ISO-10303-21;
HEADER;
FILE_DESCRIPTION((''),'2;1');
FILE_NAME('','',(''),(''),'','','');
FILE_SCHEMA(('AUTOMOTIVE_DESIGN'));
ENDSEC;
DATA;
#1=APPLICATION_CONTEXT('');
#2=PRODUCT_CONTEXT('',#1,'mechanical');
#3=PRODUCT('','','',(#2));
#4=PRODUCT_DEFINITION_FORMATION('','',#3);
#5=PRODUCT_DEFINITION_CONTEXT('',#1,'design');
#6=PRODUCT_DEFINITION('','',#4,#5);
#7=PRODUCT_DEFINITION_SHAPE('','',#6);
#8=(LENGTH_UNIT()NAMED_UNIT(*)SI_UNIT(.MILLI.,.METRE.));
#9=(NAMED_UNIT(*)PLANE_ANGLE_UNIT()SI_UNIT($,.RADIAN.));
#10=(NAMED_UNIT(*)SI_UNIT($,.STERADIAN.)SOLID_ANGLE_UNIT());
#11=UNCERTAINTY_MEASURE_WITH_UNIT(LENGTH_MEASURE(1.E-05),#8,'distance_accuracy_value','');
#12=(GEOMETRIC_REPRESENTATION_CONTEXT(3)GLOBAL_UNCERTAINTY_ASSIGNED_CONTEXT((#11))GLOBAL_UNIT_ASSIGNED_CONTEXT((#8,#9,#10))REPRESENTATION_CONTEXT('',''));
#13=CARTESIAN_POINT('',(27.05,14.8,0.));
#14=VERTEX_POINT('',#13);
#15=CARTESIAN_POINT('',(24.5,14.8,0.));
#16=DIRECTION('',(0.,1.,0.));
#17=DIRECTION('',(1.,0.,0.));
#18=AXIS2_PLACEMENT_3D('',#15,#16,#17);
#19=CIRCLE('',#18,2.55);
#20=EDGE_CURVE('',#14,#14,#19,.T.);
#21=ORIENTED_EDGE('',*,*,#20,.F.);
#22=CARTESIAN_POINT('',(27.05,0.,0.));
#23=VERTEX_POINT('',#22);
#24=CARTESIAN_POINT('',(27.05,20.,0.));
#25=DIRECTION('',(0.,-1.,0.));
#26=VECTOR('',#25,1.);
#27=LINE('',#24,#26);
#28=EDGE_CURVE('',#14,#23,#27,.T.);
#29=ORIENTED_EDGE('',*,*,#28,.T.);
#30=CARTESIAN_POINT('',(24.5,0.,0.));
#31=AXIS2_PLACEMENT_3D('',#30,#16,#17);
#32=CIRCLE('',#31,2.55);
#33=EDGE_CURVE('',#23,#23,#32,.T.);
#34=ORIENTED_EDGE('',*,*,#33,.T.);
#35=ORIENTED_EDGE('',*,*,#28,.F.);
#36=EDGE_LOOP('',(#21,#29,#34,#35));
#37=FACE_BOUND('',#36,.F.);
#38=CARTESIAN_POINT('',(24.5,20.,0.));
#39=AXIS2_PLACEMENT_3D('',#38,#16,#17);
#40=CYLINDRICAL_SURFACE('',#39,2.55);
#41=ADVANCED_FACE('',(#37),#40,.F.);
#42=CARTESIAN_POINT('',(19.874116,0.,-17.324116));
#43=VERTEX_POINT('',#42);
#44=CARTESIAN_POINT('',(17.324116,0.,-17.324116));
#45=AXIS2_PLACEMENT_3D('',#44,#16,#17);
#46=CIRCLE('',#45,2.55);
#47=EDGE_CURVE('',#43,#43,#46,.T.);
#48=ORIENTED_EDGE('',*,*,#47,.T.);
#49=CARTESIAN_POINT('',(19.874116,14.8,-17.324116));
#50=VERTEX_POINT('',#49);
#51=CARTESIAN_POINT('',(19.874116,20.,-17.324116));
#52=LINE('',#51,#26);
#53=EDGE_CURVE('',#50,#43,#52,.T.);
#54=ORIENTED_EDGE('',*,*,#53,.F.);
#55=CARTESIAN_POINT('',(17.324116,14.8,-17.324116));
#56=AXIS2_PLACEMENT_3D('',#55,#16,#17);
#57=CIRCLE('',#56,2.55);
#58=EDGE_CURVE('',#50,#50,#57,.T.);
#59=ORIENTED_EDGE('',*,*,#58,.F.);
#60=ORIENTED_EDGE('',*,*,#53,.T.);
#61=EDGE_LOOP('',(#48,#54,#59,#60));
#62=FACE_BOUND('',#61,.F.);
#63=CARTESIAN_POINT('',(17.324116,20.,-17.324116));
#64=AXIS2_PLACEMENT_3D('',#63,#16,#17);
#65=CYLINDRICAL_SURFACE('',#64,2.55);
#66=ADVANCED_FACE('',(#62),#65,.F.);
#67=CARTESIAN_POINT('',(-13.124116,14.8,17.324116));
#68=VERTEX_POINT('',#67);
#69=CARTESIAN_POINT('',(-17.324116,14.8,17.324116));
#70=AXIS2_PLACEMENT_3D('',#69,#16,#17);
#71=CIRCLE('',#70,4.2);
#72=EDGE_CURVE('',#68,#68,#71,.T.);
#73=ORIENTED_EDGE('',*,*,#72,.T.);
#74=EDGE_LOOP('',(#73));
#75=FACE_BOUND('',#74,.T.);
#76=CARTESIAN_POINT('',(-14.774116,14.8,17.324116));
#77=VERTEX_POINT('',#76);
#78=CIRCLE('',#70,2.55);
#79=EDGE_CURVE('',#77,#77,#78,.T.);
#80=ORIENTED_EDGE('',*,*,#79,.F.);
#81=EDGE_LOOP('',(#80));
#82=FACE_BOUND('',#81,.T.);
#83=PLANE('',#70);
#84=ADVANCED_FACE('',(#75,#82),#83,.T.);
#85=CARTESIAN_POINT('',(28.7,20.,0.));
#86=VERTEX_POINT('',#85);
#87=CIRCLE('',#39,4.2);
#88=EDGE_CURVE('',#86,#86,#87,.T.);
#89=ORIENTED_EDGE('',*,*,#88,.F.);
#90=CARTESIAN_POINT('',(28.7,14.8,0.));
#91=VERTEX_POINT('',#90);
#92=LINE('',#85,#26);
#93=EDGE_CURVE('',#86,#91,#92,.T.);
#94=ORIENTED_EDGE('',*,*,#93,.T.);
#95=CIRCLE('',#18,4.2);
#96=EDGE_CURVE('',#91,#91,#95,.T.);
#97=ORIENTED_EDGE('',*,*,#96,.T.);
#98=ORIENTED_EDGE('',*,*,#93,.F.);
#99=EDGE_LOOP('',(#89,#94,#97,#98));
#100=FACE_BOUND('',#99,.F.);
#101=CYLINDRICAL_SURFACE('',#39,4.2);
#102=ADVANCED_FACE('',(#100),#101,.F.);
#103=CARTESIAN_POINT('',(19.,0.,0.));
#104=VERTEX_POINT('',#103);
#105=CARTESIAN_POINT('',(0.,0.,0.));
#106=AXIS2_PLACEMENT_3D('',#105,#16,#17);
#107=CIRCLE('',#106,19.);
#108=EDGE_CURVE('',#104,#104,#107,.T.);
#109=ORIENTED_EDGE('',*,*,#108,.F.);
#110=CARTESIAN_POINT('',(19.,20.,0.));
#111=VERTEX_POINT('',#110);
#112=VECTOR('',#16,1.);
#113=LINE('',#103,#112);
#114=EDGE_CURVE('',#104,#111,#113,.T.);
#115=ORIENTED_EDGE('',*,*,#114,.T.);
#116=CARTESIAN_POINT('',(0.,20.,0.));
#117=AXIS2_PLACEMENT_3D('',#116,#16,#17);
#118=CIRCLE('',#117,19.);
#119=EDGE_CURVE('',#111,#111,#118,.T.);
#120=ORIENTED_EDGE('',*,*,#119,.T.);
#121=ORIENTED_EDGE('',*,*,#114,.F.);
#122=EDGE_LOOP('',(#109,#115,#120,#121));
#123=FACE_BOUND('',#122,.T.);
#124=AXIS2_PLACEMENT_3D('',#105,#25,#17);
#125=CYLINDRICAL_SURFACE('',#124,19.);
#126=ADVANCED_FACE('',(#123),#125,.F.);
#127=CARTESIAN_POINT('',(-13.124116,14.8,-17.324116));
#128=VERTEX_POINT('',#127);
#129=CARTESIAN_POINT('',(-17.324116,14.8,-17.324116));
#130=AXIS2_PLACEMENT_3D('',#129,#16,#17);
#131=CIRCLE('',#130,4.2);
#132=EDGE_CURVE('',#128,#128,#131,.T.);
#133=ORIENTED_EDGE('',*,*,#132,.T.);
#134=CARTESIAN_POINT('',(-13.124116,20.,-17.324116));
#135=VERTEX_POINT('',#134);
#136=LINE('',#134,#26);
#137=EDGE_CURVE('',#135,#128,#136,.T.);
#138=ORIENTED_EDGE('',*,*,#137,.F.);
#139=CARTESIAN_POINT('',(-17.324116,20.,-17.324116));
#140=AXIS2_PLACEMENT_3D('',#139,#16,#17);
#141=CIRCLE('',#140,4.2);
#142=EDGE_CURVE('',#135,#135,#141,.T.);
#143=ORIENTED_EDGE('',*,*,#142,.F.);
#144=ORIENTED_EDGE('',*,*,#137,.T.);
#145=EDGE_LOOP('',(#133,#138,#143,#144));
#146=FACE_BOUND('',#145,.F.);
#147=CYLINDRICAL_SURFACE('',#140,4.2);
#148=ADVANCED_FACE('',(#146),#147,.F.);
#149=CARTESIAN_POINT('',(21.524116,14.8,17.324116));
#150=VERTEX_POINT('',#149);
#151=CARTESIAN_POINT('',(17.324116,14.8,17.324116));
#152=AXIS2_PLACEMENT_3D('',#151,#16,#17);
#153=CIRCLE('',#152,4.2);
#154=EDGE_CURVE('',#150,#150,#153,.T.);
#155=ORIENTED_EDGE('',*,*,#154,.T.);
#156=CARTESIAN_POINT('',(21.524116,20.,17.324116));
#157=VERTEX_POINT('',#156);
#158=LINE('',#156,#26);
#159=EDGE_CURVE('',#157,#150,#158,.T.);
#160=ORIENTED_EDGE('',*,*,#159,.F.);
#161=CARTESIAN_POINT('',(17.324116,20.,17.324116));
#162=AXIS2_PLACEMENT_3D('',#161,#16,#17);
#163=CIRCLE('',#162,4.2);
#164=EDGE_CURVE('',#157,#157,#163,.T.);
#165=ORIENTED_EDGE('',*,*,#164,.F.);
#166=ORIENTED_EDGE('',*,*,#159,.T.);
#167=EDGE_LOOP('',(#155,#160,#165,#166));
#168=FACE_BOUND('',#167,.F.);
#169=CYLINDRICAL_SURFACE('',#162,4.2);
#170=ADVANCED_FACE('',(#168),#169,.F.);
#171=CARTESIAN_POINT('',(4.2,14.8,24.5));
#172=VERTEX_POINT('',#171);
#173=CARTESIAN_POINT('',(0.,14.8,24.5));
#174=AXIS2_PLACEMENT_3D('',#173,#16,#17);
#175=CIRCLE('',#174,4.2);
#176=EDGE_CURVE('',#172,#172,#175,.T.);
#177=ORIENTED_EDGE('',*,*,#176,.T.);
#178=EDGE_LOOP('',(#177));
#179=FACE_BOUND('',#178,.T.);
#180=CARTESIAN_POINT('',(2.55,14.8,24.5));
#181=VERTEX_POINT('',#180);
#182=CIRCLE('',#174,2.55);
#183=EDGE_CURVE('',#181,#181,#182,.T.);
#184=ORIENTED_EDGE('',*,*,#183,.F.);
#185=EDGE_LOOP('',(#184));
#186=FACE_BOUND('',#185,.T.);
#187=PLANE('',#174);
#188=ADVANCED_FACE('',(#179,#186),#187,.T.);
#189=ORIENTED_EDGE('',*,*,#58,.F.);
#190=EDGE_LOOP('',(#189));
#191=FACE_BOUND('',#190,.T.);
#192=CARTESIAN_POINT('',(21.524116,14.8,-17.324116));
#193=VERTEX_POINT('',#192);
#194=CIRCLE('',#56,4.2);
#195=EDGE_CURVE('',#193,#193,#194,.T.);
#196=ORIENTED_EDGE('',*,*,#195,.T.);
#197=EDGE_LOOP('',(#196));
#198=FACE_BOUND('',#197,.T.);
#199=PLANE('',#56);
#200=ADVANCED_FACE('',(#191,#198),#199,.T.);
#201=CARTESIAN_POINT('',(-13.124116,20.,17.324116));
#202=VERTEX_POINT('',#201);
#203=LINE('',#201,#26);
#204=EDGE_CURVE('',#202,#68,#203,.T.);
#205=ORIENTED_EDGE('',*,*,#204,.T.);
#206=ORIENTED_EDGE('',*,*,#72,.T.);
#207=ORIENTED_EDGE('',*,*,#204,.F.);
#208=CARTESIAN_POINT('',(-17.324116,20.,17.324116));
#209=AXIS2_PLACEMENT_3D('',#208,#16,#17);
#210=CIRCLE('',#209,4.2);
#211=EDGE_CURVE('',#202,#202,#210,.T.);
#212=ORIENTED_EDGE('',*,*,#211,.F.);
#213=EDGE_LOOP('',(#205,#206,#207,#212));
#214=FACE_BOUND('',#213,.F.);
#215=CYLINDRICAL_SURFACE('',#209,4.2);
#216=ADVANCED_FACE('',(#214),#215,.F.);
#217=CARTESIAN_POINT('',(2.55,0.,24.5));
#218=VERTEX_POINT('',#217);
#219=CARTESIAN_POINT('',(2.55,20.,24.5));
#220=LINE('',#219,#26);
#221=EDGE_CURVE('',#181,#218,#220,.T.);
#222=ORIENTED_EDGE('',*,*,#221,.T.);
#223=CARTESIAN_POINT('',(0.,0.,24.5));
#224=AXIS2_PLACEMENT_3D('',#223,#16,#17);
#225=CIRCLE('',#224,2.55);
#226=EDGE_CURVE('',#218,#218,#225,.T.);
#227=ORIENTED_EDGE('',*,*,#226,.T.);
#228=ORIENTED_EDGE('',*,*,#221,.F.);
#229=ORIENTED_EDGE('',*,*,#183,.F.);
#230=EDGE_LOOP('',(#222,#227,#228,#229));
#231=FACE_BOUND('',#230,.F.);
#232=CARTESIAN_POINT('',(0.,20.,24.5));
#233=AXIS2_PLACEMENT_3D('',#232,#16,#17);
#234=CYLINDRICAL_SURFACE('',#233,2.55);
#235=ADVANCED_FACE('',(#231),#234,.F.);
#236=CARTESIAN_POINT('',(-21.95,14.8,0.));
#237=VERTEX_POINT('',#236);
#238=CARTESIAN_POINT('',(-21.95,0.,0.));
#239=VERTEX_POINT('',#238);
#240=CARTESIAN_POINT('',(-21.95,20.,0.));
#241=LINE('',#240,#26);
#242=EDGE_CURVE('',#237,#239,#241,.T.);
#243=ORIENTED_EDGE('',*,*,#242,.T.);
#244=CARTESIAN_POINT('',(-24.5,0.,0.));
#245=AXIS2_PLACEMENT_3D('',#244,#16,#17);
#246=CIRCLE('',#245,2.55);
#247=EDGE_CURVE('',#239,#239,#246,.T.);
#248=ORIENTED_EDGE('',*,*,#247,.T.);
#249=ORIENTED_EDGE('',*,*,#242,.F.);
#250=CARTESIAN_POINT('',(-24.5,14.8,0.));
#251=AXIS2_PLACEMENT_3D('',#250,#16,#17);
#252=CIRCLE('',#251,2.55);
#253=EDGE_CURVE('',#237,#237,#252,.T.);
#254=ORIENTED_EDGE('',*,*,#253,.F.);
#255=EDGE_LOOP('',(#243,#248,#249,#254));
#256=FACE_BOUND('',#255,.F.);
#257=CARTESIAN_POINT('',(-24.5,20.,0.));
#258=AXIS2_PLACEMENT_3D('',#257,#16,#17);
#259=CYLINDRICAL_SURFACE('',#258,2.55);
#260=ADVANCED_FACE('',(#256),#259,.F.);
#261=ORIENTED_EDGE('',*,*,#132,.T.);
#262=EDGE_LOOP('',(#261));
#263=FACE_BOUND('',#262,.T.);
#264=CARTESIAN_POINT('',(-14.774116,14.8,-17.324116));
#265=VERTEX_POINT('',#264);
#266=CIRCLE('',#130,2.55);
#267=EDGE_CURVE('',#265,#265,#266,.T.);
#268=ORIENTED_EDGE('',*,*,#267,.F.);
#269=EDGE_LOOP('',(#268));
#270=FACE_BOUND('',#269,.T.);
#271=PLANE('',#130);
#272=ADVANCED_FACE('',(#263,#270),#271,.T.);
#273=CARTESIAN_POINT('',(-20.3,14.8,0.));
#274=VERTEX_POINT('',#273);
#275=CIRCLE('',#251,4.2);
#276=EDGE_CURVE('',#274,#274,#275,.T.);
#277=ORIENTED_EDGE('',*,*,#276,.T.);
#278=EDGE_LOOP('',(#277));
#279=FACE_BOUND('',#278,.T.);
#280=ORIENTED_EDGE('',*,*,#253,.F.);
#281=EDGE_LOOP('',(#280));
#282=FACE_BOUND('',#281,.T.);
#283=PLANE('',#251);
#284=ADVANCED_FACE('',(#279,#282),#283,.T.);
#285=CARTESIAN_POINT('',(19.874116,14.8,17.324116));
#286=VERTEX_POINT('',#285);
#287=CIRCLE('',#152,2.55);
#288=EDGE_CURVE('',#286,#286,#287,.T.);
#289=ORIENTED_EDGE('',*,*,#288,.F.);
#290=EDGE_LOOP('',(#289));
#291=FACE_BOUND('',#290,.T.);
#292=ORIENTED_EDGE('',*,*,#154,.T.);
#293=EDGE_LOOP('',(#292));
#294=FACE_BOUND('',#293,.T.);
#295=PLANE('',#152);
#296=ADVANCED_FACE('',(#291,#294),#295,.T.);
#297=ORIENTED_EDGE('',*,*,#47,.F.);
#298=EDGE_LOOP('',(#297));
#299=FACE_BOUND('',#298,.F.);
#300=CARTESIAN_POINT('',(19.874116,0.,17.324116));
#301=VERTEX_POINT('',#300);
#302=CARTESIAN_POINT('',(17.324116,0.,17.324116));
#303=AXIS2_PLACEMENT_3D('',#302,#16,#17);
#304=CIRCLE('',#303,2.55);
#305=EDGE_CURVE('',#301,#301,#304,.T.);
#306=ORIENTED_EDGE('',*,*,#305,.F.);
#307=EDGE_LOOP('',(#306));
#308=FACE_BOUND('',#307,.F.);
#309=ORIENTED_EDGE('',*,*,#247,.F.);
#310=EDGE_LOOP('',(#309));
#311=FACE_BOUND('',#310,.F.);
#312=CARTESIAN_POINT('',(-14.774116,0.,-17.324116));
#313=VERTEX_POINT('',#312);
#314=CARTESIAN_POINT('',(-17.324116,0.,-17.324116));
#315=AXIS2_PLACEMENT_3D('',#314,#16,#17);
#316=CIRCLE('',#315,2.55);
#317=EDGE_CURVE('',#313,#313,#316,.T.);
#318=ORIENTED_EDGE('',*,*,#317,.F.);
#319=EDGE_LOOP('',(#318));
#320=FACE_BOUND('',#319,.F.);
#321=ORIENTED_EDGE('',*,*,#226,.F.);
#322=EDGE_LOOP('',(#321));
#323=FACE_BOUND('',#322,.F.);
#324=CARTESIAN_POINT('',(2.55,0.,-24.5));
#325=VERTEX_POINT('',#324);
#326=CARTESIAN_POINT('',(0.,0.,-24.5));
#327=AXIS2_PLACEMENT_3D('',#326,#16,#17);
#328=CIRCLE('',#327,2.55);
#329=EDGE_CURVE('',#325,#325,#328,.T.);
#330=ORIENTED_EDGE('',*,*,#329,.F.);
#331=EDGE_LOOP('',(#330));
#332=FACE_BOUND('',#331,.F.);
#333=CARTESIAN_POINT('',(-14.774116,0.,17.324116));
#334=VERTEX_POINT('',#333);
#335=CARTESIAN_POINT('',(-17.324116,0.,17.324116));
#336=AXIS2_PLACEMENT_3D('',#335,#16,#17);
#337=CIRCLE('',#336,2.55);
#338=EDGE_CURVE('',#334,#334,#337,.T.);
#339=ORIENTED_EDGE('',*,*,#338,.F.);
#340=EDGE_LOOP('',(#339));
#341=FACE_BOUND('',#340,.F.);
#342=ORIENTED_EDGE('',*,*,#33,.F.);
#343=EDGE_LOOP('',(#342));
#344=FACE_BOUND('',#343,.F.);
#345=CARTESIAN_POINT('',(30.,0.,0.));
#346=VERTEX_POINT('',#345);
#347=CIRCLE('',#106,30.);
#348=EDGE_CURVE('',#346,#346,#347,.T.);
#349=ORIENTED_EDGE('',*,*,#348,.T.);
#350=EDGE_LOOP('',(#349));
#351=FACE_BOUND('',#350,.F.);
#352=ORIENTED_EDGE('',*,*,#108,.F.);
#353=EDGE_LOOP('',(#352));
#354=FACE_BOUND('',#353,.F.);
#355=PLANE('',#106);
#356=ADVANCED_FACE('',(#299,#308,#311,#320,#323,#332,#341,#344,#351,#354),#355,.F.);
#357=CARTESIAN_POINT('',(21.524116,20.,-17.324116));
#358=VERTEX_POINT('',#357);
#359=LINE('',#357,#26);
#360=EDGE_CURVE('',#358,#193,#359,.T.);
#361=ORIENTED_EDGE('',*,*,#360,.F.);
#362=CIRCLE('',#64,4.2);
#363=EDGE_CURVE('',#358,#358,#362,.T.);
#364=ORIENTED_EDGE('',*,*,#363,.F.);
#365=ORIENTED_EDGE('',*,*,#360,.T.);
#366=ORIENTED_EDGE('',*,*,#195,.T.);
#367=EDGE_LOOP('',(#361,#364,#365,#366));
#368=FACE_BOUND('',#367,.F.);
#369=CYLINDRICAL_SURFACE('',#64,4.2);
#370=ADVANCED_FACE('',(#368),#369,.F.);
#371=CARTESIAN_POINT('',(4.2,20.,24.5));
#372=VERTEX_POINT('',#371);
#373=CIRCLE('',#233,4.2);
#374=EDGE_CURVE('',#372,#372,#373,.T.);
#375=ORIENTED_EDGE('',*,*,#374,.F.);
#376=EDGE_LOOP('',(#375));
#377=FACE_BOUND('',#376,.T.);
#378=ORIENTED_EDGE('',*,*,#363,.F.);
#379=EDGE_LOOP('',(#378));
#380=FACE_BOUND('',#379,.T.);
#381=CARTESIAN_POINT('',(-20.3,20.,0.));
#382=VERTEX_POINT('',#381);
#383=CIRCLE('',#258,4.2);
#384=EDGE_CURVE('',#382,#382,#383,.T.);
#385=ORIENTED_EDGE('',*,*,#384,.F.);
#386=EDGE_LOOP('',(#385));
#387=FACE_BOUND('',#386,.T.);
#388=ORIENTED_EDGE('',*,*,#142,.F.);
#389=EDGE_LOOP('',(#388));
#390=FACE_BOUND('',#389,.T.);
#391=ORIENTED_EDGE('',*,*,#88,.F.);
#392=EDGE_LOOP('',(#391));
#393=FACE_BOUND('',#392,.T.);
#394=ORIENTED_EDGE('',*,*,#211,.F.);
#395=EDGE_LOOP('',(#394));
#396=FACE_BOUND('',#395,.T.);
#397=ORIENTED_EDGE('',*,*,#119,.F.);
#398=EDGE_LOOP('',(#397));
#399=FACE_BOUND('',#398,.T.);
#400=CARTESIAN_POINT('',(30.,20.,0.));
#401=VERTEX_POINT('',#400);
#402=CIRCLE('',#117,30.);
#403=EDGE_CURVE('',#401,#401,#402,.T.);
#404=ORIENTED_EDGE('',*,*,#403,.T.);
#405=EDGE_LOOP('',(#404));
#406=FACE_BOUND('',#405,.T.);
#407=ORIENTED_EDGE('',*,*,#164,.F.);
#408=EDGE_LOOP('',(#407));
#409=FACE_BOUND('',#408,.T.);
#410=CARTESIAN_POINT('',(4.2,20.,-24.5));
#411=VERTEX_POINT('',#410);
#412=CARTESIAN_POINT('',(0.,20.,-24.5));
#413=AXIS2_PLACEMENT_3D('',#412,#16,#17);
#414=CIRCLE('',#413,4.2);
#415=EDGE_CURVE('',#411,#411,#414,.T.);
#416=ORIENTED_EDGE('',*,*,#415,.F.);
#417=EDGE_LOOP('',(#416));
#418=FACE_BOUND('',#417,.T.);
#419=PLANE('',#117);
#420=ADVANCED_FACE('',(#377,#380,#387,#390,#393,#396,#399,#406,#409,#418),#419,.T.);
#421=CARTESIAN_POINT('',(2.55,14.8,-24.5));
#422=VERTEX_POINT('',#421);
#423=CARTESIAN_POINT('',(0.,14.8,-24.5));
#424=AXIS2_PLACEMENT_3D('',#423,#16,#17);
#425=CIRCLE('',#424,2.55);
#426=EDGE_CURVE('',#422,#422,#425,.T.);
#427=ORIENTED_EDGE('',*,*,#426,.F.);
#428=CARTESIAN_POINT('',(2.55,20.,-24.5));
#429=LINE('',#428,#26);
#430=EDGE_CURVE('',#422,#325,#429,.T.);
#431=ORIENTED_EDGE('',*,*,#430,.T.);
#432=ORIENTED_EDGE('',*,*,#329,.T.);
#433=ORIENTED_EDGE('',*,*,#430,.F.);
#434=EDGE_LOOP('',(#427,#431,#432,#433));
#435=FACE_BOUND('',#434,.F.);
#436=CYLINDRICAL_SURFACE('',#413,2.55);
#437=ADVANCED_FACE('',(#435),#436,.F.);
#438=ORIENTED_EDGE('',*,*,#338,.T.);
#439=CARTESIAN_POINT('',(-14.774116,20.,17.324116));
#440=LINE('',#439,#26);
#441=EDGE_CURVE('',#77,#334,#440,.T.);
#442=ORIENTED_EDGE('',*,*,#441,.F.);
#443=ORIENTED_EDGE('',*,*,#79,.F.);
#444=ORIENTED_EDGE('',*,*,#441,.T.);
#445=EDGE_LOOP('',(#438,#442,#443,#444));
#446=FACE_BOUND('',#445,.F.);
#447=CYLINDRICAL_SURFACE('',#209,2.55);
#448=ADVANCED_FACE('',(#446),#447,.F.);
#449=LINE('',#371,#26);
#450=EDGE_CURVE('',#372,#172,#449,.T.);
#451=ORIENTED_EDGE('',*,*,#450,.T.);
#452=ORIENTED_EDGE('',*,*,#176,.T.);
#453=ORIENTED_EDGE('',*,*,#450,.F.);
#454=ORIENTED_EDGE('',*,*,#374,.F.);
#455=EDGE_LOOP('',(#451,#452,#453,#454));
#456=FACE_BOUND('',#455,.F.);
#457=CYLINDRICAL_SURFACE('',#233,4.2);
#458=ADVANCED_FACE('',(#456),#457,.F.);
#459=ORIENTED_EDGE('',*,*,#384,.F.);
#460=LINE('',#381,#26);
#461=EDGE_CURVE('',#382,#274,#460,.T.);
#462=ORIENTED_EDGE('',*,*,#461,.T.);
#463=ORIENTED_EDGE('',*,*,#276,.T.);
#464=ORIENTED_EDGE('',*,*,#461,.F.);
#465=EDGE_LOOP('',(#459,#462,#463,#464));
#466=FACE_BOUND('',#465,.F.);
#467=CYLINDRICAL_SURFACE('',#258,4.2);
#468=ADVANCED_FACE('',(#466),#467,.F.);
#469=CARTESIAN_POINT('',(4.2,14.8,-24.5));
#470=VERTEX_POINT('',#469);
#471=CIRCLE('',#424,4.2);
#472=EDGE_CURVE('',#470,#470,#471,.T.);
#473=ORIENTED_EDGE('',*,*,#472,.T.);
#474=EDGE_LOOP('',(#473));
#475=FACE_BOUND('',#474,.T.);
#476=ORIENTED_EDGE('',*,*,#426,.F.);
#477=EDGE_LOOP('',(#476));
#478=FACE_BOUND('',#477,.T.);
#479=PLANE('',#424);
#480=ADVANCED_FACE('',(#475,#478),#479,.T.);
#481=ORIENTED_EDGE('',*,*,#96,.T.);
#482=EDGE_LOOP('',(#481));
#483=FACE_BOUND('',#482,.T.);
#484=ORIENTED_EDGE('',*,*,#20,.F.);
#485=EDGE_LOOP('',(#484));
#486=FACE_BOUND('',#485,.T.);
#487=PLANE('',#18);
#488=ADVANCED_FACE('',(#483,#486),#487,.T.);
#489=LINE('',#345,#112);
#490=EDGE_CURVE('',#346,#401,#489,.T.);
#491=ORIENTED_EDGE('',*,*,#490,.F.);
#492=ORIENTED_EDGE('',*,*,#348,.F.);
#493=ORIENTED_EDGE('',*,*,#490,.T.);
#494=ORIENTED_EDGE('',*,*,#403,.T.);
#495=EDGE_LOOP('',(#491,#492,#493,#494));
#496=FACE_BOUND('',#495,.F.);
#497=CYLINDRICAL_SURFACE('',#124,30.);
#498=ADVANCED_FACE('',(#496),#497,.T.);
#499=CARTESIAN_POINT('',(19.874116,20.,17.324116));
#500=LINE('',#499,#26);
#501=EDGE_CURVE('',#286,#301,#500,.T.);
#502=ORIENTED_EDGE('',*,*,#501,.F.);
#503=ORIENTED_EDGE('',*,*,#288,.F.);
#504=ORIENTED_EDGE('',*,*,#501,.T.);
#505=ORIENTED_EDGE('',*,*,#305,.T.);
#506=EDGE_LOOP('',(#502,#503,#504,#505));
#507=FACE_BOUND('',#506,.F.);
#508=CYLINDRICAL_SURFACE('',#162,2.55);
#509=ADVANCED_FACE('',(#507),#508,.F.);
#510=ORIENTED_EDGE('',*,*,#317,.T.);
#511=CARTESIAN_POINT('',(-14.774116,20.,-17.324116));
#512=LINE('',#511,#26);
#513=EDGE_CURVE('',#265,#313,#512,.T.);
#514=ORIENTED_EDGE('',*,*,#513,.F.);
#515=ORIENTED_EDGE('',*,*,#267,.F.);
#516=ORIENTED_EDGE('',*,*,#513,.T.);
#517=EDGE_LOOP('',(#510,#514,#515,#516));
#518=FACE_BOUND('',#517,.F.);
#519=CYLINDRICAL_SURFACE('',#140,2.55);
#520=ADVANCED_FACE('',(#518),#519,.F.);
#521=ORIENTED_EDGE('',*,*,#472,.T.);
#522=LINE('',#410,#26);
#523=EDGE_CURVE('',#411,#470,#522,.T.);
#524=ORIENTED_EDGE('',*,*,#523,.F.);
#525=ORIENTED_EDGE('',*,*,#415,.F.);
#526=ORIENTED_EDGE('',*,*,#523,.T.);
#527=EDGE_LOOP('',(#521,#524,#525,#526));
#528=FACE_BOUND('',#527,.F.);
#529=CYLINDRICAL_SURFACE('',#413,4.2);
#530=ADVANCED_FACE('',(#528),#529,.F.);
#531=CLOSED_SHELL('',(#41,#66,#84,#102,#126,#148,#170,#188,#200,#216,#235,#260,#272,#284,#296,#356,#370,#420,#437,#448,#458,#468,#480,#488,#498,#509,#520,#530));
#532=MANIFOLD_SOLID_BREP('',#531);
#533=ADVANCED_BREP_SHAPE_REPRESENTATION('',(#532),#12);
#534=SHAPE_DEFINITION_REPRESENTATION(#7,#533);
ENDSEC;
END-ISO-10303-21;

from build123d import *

# Parameters (mm, degrees)
ESQUISSE1_R             = 30
ESQUISSE1_R_2           = 19
BOSS_EXTRU_2_DEPTH      = 20
ESQUISSE5_R             = 2.55
ENL_V_MAT_EXTRU_3_DEPTH = 21
ESQUISSE6_R             = 4.2
ENL_V_MAT_EXTRU_4_DEPTH = 5.2


with BuildPart() as part:
    # Esquisse1 → Boss.-Extru.2 (new body)
    with BuildSketch(Plane(origin=(0, 0, 0), x_dir=(1, 0, 0), z_dir=(0, 1, 0))):
        Circle(ESQUISSE1_R)
        Circle(ESQUISSE1_R_2, mode=Mode.SUBTRACT)
    extrude(amount=BOSS_EXTRU_2_DEPTH)

    # Esquisse5 → Enlèv. mat.-Extru.3 (cut, through all)
    with BuildSketch(Plane(origin=(0, 20, 0), x_dir=(1, 0, 0), z_dir=(0, 1, 0))):
        with Locations((24.5, 0)):
            Circle(ESQUISSE5_R)
        with Locations((17.324116139, -17.324116139)):
            Circle(ESQUISSE5_R)
        with Locations((0, -24.5)):
            Circle(ESQUISSE5_R)
        with Locations((-17.324116139, -17.324116139)):
            Circle(ESQUISSE5_R)
        with Locations((-24.5, 0)):
            Circle(ESQUISSE5_R)
        with Locations((-17.324116139, 17.324116139)):
            Circle(ESQUISSE5_R)
        with Locations((0, 24.5)):
            Circle(ESQUISSE5_R)
        with Locations((17.324116139, 17.324116139)):
            Circle(ESQUISSE5_R)
    extrude(amount=-ENL_V_MAT_EXTRU_3_DEPTH, mode=Mode.SUBTRACT)

    # Esquisse6 → Enlèv. mat.-Extru.4 (cut)
    with BuildSketch(Plane(origin=(0, 20, 0), x_dir=(1, 0, 0), z_dir=(0, 1, 0))):
        with Locations((24.5, 0)):
            Circle(ESQUISSE6_R)
        with Locations((17.324116139, 17.324116139)):
            Circle(ESQUISSE6_R)
        with Locations((0, 24.5)):
            Circle(ESQUISSE6_R)
        with Locations((-17.324116139, 17.324116139)):
            Circle(ESQUISSE6_R)
        with Locations((-24.5, 0)):
            Circle(ESQUISSE6_R)
        with Locations((-17.324116139, -17.324116139)):
            Circle(ESQUISSE6_R)
        with Locations((0, -24.5)):
            Circle(ESQUISSE6_R)
        with Locations((17.324116139, -17.324116139)):
            Circle(ESQUISSE6_R)
    extrude(amount=-ENL_V_MAT_EXTRU_4_DEPTH, mode=Mode.SUBTRACT)


solid = part.part
